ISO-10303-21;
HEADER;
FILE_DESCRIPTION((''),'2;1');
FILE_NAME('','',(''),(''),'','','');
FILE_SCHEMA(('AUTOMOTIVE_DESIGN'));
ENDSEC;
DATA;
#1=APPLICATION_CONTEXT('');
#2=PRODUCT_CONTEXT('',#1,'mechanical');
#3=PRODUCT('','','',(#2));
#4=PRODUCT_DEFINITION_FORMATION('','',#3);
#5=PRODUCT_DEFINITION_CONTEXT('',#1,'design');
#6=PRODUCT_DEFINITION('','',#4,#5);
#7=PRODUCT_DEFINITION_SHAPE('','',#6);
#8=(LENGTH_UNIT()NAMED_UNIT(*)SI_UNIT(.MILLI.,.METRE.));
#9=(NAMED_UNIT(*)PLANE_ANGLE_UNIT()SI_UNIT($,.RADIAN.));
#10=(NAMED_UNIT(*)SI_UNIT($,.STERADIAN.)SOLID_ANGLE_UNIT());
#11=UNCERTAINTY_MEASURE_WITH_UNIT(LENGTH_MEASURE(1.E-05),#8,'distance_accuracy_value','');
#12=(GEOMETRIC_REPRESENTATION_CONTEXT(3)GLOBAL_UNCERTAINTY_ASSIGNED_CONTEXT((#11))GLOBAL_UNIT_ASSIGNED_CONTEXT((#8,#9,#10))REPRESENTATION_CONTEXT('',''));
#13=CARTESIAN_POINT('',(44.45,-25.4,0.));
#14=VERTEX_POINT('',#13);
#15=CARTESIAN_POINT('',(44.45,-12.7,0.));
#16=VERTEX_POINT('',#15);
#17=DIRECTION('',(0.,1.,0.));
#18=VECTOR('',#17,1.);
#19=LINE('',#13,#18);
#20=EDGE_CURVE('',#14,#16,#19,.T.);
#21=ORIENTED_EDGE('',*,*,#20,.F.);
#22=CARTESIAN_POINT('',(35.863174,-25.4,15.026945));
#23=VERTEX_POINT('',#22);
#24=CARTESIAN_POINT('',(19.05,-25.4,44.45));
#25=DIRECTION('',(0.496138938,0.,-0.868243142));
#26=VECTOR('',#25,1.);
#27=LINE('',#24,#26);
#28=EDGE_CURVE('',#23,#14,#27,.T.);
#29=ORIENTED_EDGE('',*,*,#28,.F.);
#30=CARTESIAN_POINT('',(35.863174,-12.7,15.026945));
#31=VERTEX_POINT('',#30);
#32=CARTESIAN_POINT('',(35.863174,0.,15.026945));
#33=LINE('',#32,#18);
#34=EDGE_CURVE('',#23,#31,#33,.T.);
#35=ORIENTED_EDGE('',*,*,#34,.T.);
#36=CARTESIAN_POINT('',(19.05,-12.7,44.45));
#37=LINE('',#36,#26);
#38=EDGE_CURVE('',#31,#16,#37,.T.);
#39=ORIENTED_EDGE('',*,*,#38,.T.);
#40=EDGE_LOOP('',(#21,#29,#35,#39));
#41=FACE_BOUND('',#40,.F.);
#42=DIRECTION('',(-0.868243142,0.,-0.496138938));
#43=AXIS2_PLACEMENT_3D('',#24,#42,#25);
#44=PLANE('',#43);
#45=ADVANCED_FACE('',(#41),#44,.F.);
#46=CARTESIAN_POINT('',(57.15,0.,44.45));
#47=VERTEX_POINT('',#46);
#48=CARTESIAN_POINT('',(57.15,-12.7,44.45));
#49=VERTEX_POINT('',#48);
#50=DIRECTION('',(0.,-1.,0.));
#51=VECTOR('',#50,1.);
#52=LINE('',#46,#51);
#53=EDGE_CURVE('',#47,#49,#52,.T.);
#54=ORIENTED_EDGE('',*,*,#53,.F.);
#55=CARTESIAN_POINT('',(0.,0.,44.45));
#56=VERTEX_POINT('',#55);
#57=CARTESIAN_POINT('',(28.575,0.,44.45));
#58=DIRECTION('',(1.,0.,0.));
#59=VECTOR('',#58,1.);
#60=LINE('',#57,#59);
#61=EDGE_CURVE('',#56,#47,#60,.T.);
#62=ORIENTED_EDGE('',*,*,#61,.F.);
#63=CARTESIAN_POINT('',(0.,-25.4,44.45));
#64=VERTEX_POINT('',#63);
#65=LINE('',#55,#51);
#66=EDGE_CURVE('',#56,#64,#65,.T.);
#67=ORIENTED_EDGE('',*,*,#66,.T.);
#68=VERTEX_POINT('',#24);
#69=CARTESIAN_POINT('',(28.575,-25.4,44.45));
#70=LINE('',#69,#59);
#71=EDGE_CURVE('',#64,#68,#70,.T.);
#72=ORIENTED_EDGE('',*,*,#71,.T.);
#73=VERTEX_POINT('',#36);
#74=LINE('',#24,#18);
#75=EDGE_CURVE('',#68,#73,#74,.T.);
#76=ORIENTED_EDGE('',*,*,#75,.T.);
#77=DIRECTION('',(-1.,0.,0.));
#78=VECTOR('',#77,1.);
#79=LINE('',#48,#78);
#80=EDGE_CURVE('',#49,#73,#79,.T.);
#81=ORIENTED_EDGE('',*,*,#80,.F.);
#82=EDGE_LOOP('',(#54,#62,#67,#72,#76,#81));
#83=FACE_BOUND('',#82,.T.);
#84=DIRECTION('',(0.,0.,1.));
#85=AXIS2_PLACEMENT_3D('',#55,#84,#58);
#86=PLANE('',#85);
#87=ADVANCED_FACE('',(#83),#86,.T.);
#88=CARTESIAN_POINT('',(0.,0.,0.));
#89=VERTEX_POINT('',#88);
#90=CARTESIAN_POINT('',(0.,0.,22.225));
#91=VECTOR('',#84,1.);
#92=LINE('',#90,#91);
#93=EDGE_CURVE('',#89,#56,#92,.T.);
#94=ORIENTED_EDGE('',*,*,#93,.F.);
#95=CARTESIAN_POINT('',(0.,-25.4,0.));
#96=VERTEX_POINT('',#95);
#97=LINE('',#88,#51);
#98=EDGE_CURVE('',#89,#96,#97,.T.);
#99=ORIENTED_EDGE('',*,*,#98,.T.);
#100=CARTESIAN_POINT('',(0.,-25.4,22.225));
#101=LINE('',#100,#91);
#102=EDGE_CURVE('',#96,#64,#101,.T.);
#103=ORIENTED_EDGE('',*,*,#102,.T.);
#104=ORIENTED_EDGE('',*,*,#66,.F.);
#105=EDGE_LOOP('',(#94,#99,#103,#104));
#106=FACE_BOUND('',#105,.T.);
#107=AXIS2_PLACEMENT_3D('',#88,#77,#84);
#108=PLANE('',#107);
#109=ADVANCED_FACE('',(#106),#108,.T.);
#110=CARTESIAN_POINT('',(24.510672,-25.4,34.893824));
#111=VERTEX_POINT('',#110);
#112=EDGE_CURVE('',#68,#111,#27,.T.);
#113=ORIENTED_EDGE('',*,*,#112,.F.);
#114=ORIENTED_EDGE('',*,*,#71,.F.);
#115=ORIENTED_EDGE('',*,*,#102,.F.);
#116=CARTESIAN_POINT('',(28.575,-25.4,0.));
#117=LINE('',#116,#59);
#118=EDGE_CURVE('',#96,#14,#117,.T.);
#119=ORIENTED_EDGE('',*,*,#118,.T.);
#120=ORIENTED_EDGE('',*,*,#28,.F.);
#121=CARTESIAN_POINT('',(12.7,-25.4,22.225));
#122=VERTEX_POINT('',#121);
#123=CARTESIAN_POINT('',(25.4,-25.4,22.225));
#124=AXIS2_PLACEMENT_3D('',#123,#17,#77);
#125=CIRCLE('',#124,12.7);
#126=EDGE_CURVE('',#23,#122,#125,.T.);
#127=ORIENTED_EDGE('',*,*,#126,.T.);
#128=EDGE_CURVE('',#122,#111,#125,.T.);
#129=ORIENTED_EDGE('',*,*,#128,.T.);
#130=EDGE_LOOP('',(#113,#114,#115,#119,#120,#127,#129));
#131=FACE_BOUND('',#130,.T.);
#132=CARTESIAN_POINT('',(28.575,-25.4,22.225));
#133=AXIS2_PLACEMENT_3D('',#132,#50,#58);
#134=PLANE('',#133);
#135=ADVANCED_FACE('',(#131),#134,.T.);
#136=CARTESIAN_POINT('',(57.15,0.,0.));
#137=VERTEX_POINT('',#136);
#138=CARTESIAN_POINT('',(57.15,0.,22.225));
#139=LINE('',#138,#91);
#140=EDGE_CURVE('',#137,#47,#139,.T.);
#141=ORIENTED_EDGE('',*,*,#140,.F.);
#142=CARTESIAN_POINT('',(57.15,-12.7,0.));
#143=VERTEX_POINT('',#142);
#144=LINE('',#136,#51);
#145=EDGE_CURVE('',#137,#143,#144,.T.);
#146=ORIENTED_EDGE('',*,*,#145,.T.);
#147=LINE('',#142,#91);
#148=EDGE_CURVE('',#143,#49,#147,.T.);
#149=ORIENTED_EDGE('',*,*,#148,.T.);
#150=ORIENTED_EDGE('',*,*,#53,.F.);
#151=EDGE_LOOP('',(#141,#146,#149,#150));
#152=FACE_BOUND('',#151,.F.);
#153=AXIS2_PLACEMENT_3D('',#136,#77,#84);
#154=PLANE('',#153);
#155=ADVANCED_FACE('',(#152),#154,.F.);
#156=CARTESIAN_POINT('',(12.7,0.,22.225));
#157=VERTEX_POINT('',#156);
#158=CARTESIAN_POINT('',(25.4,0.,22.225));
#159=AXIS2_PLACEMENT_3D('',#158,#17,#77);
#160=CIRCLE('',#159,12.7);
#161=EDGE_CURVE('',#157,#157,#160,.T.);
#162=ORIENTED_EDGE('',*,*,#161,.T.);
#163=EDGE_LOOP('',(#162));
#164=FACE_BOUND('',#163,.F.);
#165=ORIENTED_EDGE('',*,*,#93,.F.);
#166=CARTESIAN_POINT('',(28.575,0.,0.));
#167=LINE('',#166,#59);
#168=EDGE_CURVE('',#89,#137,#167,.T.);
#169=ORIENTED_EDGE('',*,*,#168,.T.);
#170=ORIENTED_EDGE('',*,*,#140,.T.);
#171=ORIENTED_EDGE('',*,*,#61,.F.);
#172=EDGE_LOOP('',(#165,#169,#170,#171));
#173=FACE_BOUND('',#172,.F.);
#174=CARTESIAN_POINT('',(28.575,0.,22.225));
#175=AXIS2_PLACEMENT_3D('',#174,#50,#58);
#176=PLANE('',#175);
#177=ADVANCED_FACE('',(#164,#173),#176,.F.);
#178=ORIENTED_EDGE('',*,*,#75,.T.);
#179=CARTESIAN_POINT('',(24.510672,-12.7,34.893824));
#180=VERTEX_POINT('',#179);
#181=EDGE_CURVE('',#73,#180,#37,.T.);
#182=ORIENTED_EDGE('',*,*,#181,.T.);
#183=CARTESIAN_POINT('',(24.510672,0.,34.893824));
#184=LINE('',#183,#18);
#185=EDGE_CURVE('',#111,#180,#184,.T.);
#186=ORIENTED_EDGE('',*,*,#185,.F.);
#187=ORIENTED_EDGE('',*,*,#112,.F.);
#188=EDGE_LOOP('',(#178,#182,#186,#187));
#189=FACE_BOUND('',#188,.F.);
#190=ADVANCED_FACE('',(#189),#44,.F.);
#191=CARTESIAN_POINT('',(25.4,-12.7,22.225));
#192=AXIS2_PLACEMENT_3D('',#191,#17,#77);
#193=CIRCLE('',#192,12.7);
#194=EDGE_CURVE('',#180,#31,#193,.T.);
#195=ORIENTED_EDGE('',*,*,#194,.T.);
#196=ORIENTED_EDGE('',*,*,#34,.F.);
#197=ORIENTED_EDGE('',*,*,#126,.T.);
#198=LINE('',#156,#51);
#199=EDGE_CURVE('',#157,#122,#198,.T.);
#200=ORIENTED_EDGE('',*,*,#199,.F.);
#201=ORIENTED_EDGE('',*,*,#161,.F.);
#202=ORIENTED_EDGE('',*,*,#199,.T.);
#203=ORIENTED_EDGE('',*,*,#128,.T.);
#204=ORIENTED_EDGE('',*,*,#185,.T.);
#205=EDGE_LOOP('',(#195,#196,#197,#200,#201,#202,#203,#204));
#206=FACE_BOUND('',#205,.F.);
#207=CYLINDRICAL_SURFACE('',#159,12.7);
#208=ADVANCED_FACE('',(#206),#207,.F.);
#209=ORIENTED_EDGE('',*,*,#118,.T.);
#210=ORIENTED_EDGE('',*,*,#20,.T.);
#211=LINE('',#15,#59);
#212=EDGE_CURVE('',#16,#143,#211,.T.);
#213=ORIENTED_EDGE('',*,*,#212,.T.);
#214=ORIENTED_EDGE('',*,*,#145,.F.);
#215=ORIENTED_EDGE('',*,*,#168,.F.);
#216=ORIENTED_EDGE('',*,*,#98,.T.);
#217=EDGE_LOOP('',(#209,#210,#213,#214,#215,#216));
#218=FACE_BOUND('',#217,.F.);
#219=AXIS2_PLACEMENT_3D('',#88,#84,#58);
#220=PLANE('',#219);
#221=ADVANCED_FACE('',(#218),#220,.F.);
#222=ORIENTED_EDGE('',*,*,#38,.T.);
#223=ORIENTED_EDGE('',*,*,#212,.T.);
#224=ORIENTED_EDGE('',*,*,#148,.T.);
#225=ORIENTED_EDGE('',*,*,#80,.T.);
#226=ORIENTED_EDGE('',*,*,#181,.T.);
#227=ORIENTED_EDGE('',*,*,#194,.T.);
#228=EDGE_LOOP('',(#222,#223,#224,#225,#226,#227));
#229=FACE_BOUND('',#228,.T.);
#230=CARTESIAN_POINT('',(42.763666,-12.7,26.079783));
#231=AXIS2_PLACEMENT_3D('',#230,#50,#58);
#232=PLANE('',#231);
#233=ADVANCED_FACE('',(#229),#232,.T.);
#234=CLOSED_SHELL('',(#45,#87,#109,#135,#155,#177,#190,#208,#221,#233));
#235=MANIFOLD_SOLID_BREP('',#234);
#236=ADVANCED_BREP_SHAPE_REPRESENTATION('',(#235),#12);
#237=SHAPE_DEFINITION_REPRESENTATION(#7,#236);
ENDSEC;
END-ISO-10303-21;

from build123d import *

# Parameters (mm, degrees)
F0_W     = 57.15
F0_H     = 44.45
F1_DEPTH = 25.4
F3_DEPTH = 12.7
F4_R     = 12.7
F5_DEPTH = 25.4


with BuildPart() as f1:
    # F0 (on Front) → F1 (new body)
    with BuildSketch(Plane.XZ):
        with Locations((28.575, 22.225)):
            Rectangle(F0_W, F0_H)
    extrude(amount=F1_DEPTH)

    # F2 (on face) → F3 (cut)
    with BuildSketch(Plane.XZ.offset(25.4)):
        Polygon((57.15, 44.45), (19.05, 44.45), (44.45, 0), (57.15, 0), align=None)
    extrude(amount=-F3_DEPTH, mode=Mode.SUBTRACT)

    # F4 (on face) → F5 (cut)
    with BuildSketch(Plane(origin=(0, 0, 0), x_dir=(-1, 0, 0), z_dir=(0, 1, 0))):
        with Locations((-25.4, 22.225)):
            Circle(F4_R)
    extrude(amount=-F5_DEPTH, mode=Mode.SUBTRACT)


solid = f1.part
